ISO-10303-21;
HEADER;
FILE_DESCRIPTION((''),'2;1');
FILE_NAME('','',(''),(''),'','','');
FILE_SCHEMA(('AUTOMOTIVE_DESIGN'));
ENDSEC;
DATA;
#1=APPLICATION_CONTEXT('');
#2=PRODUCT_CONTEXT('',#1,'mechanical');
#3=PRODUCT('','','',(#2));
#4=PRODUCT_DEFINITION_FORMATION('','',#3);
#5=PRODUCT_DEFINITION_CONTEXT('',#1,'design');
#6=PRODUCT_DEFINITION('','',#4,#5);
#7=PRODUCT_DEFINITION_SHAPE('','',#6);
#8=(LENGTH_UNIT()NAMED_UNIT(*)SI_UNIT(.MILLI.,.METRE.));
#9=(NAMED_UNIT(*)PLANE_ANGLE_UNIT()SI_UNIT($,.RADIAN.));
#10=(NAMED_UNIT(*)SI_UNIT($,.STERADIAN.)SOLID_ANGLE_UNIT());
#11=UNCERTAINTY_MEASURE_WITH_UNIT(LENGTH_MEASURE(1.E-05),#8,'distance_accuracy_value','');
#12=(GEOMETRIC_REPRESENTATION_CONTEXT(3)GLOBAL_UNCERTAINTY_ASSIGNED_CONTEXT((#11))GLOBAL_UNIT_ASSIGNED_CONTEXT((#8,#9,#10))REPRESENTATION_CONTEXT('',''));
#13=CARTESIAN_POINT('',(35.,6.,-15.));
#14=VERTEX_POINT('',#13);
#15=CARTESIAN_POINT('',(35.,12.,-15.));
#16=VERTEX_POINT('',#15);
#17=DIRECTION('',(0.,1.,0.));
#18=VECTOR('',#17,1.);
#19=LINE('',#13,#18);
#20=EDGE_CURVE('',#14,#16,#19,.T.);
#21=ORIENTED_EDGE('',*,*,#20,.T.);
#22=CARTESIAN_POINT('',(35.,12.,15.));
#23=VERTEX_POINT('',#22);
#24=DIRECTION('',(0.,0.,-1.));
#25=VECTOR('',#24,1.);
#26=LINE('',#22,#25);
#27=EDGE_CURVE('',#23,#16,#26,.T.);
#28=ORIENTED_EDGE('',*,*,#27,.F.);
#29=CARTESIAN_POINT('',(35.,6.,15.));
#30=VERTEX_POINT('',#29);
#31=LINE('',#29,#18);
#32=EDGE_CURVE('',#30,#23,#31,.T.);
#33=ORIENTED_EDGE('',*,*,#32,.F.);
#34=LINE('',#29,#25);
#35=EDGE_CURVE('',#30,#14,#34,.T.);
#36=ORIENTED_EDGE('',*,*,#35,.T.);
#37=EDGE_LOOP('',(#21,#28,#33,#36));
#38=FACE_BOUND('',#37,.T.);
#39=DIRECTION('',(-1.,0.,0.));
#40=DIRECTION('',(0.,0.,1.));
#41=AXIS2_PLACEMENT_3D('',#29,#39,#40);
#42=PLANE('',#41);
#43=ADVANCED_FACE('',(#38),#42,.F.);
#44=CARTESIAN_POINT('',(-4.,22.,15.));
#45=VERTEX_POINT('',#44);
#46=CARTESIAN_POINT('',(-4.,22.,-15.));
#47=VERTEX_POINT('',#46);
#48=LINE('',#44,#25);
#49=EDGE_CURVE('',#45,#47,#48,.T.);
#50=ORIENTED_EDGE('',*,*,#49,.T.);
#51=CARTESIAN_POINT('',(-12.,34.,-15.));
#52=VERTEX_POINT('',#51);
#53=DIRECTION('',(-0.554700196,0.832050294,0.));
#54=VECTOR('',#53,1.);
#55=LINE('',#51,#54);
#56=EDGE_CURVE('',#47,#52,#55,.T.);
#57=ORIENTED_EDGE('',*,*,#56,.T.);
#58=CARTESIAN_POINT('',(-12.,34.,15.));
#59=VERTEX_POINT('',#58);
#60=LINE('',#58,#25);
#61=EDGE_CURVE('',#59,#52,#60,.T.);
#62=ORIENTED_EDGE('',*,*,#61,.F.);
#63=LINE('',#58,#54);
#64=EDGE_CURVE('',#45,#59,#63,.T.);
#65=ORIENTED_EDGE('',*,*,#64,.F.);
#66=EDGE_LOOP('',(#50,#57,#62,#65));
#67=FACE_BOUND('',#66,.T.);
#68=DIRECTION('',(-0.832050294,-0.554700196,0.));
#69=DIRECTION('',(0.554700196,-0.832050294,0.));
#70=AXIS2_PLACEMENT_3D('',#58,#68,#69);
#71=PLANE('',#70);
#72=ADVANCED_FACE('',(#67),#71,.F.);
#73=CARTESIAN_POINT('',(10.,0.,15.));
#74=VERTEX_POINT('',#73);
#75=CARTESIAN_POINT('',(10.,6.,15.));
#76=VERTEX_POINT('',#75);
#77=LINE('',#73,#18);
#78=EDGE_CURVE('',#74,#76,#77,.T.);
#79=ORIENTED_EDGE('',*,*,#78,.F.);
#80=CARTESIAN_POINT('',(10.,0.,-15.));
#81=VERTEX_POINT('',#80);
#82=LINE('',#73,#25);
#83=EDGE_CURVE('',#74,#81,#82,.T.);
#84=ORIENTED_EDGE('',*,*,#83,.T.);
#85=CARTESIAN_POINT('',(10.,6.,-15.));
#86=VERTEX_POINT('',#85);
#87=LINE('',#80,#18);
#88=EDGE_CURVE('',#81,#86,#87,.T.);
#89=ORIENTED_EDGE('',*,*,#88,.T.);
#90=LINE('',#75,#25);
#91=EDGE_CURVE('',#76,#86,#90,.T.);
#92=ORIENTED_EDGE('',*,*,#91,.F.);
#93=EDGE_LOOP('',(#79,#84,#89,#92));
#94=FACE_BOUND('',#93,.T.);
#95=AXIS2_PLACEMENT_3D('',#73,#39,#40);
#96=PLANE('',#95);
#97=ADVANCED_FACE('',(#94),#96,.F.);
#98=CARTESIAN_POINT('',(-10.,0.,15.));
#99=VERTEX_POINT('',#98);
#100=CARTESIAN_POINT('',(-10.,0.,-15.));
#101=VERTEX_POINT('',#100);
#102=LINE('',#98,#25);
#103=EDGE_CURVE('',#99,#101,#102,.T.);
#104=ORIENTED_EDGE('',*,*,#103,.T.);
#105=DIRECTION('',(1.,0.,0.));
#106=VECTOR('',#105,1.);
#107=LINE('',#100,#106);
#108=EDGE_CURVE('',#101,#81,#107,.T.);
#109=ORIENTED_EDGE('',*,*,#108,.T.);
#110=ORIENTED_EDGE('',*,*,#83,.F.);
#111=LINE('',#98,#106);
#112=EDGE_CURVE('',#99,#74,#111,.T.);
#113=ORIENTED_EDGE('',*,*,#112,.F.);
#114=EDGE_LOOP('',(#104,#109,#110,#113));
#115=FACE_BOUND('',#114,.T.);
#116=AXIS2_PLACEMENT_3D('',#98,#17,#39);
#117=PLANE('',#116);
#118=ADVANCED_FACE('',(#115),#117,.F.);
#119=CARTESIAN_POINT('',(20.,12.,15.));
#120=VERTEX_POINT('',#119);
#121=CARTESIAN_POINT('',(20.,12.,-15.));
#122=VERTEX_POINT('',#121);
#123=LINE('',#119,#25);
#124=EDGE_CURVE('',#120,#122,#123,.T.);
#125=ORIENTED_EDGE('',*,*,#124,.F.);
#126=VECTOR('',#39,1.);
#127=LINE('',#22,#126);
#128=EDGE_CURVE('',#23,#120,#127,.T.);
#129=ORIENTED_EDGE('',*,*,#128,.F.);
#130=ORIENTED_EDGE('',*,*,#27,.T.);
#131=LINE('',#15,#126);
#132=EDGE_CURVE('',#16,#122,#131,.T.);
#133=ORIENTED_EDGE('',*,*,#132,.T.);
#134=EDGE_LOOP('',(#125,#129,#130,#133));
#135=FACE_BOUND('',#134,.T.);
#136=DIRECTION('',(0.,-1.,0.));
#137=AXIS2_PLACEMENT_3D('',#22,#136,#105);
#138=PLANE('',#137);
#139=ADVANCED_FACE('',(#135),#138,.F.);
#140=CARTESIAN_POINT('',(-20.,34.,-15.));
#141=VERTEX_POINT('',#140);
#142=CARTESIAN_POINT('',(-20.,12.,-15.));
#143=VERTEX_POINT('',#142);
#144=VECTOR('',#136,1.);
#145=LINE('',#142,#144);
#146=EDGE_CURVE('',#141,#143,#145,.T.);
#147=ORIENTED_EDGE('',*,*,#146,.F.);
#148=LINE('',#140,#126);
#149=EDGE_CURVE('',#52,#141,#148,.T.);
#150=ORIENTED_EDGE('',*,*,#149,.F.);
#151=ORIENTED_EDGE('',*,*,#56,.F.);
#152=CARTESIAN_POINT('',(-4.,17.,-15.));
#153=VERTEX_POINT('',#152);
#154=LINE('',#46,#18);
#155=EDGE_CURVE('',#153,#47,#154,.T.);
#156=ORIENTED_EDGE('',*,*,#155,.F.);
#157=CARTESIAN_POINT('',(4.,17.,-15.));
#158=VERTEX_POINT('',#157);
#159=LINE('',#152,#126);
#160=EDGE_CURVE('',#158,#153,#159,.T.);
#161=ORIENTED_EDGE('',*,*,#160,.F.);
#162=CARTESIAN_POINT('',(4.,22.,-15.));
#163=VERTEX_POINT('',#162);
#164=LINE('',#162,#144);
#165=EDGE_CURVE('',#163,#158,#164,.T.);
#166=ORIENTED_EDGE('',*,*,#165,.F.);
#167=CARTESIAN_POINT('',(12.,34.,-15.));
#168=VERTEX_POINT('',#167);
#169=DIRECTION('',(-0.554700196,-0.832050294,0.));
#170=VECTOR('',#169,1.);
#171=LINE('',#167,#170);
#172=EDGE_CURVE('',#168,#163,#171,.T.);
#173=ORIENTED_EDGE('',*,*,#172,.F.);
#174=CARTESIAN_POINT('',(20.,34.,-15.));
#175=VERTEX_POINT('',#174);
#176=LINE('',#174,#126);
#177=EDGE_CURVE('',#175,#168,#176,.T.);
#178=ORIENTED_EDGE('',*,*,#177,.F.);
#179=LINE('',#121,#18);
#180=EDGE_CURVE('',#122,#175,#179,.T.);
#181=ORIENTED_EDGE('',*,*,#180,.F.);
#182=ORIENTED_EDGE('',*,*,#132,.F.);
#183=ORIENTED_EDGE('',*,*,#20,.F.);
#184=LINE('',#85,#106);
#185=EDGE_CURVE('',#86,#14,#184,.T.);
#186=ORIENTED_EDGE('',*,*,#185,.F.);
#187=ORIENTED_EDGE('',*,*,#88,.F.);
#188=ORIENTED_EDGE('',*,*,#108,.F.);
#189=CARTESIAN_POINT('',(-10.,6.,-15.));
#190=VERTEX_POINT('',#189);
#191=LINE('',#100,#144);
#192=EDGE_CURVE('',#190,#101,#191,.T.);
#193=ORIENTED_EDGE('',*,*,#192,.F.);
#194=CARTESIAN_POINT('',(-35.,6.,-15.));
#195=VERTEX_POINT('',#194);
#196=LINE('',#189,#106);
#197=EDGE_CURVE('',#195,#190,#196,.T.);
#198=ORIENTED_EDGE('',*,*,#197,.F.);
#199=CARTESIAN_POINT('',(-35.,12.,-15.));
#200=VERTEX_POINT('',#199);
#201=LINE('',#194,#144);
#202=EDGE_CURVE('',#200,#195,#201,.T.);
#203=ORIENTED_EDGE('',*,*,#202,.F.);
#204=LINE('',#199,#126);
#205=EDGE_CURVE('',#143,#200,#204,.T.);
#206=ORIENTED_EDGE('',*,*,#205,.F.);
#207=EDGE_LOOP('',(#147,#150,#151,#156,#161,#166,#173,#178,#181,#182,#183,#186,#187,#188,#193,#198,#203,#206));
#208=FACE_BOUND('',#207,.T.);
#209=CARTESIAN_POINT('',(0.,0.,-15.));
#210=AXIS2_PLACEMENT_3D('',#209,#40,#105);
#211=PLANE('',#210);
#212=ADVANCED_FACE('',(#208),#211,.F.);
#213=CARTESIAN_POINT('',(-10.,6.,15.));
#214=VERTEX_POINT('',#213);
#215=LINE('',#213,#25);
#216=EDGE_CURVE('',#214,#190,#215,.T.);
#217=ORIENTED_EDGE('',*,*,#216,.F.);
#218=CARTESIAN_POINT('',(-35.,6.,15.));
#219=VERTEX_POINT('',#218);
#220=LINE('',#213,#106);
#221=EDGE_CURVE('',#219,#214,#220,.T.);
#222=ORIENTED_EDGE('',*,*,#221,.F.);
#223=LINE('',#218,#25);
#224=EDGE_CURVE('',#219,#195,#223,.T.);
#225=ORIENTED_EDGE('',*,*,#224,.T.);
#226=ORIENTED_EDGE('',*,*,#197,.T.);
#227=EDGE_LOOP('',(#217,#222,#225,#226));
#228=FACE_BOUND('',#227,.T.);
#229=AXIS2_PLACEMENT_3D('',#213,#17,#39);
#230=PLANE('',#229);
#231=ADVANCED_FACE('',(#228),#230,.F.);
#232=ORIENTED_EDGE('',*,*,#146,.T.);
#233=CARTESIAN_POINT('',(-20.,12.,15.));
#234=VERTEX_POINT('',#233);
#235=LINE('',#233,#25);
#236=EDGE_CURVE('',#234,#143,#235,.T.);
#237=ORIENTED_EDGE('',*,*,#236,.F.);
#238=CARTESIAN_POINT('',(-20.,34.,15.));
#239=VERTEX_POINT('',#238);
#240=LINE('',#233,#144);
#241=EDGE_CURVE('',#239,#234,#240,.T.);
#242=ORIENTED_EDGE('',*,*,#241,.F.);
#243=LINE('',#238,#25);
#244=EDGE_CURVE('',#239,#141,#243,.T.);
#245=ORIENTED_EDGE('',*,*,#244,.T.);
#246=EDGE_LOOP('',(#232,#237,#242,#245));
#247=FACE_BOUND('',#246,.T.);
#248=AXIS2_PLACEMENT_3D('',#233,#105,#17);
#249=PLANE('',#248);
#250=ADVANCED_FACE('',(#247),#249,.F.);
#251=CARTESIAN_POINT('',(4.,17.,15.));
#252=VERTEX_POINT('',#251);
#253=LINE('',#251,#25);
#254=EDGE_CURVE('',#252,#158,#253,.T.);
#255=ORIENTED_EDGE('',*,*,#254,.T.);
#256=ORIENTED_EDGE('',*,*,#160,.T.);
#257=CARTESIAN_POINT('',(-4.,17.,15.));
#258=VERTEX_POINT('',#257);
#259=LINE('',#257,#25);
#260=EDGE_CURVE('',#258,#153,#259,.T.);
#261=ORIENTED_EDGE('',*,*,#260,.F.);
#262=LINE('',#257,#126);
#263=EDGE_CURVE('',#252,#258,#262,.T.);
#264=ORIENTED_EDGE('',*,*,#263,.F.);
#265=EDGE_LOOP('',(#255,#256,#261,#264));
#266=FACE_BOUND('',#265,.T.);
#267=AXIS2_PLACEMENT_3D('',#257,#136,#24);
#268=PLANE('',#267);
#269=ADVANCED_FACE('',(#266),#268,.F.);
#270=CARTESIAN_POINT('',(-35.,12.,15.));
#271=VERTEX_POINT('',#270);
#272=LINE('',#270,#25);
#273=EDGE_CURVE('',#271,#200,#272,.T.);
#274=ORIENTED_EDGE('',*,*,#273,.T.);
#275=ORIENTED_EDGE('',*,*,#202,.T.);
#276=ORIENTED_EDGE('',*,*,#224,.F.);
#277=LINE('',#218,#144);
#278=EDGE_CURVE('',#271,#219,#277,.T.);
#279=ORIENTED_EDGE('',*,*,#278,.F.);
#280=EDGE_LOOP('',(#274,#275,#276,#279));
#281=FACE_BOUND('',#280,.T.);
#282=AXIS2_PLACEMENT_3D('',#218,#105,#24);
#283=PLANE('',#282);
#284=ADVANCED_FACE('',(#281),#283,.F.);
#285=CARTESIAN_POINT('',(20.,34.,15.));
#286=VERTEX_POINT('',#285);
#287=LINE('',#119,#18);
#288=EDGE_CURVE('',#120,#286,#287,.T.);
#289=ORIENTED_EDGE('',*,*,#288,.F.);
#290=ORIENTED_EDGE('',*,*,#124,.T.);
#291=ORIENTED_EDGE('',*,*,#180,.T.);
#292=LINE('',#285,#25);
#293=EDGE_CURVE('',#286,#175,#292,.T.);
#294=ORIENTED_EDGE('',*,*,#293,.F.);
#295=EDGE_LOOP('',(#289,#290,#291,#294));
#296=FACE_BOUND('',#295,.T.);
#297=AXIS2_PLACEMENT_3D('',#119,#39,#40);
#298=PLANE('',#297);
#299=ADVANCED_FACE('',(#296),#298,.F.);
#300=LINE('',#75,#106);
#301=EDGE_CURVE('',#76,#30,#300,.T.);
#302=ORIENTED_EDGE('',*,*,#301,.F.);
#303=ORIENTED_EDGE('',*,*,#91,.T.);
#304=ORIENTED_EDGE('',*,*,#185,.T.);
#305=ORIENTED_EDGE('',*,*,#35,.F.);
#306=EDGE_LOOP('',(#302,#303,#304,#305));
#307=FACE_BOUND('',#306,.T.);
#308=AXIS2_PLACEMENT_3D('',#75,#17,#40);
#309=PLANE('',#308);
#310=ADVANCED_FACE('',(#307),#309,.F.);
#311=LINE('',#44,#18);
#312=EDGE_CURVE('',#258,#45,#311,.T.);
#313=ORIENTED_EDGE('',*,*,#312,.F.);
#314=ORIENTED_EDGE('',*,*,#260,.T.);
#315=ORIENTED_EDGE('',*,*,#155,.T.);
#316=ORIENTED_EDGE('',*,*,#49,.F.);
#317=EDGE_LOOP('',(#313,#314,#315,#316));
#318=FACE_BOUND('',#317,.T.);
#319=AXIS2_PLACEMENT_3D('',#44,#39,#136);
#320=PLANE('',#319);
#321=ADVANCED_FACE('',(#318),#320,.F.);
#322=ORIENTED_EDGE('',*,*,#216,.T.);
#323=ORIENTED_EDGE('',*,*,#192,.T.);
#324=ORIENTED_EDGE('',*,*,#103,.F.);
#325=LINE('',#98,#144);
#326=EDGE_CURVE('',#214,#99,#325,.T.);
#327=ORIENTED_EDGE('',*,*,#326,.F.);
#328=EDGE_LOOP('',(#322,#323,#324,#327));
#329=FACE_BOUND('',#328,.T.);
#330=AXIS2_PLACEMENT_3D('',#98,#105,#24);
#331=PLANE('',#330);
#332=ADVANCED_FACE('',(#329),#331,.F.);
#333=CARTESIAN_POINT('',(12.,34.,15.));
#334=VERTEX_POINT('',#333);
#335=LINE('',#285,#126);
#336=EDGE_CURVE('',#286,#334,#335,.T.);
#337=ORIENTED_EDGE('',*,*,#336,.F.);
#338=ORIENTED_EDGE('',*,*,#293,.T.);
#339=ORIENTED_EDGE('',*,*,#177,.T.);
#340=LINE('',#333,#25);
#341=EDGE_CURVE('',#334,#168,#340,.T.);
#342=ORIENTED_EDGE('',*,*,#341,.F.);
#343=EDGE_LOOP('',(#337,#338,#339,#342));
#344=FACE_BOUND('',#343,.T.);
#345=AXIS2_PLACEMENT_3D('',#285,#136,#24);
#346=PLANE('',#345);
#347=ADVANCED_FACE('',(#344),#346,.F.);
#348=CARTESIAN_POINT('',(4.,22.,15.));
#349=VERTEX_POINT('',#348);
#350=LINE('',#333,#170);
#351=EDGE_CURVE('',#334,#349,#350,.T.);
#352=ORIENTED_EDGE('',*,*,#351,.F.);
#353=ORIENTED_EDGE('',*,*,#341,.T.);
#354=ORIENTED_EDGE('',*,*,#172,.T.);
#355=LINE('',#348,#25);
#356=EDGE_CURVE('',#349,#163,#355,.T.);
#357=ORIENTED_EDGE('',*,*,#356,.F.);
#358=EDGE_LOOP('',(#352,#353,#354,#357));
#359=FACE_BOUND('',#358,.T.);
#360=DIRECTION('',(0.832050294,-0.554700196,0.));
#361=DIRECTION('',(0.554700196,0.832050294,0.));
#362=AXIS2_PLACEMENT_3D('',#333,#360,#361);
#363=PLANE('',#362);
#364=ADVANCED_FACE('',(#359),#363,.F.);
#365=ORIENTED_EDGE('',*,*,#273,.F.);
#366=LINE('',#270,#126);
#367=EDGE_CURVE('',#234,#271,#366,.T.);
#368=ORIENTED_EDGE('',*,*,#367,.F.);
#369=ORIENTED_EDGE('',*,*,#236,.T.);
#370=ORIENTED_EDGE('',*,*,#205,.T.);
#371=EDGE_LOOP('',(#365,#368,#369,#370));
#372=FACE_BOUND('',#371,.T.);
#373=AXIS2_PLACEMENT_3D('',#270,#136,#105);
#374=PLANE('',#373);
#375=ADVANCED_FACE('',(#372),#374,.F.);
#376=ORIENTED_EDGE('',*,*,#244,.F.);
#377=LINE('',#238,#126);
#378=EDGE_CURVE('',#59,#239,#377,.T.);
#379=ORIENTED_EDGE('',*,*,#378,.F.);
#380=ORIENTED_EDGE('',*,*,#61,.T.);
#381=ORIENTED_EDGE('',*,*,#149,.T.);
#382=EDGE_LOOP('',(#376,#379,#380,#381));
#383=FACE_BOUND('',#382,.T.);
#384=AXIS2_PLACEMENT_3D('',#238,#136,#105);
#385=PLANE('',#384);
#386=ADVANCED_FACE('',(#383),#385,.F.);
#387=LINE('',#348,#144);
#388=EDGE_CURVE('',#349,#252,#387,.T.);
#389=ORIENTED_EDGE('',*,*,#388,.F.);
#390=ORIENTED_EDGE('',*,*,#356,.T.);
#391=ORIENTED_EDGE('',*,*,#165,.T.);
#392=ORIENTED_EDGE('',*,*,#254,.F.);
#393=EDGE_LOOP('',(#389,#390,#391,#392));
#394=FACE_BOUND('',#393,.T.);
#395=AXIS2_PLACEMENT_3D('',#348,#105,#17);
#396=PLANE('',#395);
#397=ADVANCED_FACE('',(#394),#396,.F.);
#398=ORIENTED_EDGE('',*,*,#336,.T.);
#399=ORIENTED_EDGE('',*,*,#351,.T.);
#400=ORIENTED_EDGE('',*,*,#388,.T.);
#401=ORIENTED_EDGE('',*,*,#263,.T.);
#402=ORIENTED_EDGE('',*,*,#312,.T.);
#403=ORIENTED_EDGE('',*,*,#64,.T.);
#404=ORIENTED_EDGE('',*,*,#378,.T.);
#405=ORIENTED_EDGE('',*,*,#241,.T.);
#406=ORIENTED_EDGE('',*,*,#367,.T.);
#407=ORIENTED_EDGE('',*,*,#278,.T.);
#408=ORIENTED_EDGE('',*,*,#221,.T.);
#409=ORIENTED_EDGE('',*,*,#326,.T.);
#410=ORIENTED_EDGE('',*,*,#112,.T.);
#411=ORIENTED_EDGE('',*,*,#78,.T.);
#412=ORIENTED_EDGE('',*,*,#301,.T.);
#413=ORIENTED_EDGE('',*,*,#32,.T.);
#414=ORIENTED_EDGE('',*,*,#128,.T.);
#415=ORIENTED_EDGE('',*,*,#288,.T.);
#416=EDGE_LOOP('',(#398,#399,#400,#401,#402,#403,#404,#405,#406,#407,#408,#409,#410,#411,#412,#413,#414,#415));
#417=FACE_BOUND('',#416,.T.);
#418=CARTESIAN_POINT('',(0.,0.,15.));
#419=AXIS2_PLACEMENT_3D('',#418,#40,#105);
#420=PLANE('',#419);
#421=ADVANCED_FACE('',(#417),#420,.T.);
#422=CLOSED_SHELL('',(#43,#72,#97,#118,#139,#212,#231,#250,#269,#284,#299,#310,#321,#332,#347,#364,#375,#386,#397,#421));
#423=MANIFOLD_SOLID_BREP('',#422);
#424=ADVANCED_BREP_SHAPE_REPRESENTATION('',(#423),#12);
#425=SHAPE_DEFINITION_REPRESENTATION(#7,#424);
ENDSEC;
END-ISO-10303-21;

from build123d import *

# Parameters (mm, degrees)
BOSS_EXTRUDE1_DEPTH = 15


with BuildPart() as part:
    # Sketch1 → Boss-Extrude1 (new, symmetric)
    with BuildSketch(Plane.XY):
        Polygon((-10, 0), (10, 0), (10, 6), (35, 6), (35, 12), (20, 12), (20, 34), (12, 34), (4, 22), (4, 17), (-4, 17), (-4, 22), (-12, 34), (-20, 34), (-20, 12), (-35, 12), (-35, 6), (-10, 6), align=None)
    extrude(amount=BOSS_EXTRUDE1_DEPTH, both=True)


solid = part.part
